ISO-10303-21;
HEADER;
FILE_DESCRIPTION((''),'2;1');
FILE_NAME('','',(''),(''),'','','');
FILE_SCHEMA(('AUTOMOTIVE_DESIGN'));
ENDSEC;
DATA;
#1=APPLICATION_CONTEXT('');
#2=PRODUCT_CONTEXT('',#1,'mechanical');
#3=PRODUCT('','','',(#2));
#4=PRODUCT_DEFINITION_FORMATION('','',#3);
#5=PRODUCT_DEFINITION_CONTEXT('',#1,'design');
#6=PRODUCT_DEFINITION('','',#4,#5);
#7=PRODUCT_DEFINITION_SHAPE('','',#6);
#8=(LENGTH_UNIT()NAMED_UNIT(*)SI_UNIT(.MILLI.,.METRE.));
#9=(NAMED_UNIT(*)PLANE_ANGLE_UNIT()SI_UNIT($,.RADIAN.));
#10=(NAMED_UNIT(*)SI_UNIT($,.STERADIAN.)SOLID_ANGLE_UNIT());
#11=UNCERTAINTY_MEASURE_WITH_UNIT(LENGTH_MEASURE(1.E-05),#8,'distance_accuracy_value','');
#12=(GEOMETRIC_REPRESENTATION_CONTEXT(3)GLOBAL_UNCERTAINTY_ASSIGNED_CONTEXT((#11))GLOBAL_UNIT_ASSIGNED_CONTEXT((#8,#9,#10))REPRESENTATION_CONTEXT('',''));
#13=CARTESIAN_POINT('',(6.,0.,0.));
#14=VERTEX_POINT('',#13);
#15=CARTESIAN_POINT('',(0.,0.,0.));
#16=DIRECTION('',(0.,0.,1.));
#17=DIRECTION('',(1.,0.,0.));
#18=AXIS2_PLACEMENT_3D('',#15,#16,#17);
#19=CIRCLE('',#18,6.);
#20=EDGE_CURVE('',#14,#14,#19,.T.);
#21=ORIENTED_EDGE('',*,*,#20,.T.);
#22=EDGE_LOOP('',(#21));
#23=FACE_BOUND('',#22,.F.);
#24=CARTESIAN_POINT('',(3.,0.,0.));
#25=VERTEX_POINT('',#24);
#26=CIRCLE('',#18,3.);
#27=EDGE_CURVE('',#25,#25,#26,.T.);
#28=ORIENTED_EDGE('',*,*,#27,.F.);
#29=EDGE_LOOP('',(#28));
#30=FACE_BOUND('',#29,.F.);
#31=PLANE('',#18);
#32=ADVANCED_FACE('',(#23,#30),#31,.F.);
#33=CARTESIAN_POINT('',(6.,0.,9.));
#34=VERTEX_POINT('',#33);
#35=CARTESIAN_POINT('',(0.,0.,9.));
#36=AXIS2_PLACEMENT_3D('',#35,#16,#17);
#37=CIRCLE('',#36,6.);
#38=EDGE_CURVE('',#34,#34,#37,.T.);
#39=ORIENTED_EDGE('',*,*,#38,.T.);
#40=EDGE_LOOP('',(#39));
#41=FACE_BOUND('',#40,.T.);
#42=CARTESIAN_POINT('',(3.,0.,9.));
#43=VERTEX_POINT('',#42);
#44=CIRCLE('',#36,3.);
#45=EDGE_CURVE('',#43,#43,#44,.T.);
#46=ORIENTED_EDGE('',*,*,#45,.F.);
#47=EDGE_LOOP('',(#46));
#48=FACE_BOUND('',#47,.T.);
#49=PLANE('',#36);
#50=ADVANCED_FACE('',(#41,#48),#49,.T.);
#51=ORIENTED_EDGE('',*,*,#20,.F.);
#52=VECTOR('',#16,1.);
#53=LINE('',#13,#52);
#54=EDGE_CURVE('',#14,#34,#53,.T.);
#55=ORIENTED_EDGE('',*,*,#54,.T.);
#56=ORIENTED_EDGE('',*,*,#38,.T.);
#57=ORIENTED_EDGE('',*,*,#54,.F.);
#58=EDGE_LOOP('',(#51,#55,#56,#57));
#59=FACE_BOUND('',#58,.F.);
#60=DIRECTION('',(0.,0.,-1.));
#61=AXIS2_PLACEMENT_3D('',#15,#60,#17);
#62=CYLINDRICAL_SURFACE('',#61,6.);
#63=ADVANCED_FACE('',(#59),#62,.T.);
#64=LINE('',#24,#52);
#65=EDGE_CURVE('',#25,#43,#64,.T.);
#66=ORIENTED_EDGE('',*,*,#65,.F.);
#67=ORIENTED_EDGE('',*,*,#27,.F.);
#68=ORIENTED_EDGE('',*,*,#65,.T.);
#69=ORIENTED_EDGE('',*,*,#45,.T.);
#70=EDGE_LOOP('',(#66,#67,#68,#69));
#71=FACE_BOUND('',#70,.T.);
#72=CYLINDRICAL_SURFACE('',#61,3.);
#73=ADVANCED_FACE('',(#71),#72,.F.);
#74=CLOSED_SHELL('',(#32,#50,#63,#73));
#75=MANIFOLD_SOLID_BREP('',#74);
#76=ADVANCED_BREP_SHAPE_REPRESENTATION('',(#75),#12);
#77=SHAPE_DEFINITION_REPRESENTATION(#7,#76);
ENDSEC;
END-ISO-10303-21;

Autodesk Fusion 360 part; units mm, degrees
sketch "Boceto1" plane through (0, 0, 0) normal (0, 0, 1) x (1, 0, 0)
  circle A0 centre (0, 0) radius 3
  circle A1 centre (0, 0) radius 6
  dimension "d1" = 6
  dimension "d2" = 12
extrude "Extruir1" add sketch "Boceto1" along normal blind 9
